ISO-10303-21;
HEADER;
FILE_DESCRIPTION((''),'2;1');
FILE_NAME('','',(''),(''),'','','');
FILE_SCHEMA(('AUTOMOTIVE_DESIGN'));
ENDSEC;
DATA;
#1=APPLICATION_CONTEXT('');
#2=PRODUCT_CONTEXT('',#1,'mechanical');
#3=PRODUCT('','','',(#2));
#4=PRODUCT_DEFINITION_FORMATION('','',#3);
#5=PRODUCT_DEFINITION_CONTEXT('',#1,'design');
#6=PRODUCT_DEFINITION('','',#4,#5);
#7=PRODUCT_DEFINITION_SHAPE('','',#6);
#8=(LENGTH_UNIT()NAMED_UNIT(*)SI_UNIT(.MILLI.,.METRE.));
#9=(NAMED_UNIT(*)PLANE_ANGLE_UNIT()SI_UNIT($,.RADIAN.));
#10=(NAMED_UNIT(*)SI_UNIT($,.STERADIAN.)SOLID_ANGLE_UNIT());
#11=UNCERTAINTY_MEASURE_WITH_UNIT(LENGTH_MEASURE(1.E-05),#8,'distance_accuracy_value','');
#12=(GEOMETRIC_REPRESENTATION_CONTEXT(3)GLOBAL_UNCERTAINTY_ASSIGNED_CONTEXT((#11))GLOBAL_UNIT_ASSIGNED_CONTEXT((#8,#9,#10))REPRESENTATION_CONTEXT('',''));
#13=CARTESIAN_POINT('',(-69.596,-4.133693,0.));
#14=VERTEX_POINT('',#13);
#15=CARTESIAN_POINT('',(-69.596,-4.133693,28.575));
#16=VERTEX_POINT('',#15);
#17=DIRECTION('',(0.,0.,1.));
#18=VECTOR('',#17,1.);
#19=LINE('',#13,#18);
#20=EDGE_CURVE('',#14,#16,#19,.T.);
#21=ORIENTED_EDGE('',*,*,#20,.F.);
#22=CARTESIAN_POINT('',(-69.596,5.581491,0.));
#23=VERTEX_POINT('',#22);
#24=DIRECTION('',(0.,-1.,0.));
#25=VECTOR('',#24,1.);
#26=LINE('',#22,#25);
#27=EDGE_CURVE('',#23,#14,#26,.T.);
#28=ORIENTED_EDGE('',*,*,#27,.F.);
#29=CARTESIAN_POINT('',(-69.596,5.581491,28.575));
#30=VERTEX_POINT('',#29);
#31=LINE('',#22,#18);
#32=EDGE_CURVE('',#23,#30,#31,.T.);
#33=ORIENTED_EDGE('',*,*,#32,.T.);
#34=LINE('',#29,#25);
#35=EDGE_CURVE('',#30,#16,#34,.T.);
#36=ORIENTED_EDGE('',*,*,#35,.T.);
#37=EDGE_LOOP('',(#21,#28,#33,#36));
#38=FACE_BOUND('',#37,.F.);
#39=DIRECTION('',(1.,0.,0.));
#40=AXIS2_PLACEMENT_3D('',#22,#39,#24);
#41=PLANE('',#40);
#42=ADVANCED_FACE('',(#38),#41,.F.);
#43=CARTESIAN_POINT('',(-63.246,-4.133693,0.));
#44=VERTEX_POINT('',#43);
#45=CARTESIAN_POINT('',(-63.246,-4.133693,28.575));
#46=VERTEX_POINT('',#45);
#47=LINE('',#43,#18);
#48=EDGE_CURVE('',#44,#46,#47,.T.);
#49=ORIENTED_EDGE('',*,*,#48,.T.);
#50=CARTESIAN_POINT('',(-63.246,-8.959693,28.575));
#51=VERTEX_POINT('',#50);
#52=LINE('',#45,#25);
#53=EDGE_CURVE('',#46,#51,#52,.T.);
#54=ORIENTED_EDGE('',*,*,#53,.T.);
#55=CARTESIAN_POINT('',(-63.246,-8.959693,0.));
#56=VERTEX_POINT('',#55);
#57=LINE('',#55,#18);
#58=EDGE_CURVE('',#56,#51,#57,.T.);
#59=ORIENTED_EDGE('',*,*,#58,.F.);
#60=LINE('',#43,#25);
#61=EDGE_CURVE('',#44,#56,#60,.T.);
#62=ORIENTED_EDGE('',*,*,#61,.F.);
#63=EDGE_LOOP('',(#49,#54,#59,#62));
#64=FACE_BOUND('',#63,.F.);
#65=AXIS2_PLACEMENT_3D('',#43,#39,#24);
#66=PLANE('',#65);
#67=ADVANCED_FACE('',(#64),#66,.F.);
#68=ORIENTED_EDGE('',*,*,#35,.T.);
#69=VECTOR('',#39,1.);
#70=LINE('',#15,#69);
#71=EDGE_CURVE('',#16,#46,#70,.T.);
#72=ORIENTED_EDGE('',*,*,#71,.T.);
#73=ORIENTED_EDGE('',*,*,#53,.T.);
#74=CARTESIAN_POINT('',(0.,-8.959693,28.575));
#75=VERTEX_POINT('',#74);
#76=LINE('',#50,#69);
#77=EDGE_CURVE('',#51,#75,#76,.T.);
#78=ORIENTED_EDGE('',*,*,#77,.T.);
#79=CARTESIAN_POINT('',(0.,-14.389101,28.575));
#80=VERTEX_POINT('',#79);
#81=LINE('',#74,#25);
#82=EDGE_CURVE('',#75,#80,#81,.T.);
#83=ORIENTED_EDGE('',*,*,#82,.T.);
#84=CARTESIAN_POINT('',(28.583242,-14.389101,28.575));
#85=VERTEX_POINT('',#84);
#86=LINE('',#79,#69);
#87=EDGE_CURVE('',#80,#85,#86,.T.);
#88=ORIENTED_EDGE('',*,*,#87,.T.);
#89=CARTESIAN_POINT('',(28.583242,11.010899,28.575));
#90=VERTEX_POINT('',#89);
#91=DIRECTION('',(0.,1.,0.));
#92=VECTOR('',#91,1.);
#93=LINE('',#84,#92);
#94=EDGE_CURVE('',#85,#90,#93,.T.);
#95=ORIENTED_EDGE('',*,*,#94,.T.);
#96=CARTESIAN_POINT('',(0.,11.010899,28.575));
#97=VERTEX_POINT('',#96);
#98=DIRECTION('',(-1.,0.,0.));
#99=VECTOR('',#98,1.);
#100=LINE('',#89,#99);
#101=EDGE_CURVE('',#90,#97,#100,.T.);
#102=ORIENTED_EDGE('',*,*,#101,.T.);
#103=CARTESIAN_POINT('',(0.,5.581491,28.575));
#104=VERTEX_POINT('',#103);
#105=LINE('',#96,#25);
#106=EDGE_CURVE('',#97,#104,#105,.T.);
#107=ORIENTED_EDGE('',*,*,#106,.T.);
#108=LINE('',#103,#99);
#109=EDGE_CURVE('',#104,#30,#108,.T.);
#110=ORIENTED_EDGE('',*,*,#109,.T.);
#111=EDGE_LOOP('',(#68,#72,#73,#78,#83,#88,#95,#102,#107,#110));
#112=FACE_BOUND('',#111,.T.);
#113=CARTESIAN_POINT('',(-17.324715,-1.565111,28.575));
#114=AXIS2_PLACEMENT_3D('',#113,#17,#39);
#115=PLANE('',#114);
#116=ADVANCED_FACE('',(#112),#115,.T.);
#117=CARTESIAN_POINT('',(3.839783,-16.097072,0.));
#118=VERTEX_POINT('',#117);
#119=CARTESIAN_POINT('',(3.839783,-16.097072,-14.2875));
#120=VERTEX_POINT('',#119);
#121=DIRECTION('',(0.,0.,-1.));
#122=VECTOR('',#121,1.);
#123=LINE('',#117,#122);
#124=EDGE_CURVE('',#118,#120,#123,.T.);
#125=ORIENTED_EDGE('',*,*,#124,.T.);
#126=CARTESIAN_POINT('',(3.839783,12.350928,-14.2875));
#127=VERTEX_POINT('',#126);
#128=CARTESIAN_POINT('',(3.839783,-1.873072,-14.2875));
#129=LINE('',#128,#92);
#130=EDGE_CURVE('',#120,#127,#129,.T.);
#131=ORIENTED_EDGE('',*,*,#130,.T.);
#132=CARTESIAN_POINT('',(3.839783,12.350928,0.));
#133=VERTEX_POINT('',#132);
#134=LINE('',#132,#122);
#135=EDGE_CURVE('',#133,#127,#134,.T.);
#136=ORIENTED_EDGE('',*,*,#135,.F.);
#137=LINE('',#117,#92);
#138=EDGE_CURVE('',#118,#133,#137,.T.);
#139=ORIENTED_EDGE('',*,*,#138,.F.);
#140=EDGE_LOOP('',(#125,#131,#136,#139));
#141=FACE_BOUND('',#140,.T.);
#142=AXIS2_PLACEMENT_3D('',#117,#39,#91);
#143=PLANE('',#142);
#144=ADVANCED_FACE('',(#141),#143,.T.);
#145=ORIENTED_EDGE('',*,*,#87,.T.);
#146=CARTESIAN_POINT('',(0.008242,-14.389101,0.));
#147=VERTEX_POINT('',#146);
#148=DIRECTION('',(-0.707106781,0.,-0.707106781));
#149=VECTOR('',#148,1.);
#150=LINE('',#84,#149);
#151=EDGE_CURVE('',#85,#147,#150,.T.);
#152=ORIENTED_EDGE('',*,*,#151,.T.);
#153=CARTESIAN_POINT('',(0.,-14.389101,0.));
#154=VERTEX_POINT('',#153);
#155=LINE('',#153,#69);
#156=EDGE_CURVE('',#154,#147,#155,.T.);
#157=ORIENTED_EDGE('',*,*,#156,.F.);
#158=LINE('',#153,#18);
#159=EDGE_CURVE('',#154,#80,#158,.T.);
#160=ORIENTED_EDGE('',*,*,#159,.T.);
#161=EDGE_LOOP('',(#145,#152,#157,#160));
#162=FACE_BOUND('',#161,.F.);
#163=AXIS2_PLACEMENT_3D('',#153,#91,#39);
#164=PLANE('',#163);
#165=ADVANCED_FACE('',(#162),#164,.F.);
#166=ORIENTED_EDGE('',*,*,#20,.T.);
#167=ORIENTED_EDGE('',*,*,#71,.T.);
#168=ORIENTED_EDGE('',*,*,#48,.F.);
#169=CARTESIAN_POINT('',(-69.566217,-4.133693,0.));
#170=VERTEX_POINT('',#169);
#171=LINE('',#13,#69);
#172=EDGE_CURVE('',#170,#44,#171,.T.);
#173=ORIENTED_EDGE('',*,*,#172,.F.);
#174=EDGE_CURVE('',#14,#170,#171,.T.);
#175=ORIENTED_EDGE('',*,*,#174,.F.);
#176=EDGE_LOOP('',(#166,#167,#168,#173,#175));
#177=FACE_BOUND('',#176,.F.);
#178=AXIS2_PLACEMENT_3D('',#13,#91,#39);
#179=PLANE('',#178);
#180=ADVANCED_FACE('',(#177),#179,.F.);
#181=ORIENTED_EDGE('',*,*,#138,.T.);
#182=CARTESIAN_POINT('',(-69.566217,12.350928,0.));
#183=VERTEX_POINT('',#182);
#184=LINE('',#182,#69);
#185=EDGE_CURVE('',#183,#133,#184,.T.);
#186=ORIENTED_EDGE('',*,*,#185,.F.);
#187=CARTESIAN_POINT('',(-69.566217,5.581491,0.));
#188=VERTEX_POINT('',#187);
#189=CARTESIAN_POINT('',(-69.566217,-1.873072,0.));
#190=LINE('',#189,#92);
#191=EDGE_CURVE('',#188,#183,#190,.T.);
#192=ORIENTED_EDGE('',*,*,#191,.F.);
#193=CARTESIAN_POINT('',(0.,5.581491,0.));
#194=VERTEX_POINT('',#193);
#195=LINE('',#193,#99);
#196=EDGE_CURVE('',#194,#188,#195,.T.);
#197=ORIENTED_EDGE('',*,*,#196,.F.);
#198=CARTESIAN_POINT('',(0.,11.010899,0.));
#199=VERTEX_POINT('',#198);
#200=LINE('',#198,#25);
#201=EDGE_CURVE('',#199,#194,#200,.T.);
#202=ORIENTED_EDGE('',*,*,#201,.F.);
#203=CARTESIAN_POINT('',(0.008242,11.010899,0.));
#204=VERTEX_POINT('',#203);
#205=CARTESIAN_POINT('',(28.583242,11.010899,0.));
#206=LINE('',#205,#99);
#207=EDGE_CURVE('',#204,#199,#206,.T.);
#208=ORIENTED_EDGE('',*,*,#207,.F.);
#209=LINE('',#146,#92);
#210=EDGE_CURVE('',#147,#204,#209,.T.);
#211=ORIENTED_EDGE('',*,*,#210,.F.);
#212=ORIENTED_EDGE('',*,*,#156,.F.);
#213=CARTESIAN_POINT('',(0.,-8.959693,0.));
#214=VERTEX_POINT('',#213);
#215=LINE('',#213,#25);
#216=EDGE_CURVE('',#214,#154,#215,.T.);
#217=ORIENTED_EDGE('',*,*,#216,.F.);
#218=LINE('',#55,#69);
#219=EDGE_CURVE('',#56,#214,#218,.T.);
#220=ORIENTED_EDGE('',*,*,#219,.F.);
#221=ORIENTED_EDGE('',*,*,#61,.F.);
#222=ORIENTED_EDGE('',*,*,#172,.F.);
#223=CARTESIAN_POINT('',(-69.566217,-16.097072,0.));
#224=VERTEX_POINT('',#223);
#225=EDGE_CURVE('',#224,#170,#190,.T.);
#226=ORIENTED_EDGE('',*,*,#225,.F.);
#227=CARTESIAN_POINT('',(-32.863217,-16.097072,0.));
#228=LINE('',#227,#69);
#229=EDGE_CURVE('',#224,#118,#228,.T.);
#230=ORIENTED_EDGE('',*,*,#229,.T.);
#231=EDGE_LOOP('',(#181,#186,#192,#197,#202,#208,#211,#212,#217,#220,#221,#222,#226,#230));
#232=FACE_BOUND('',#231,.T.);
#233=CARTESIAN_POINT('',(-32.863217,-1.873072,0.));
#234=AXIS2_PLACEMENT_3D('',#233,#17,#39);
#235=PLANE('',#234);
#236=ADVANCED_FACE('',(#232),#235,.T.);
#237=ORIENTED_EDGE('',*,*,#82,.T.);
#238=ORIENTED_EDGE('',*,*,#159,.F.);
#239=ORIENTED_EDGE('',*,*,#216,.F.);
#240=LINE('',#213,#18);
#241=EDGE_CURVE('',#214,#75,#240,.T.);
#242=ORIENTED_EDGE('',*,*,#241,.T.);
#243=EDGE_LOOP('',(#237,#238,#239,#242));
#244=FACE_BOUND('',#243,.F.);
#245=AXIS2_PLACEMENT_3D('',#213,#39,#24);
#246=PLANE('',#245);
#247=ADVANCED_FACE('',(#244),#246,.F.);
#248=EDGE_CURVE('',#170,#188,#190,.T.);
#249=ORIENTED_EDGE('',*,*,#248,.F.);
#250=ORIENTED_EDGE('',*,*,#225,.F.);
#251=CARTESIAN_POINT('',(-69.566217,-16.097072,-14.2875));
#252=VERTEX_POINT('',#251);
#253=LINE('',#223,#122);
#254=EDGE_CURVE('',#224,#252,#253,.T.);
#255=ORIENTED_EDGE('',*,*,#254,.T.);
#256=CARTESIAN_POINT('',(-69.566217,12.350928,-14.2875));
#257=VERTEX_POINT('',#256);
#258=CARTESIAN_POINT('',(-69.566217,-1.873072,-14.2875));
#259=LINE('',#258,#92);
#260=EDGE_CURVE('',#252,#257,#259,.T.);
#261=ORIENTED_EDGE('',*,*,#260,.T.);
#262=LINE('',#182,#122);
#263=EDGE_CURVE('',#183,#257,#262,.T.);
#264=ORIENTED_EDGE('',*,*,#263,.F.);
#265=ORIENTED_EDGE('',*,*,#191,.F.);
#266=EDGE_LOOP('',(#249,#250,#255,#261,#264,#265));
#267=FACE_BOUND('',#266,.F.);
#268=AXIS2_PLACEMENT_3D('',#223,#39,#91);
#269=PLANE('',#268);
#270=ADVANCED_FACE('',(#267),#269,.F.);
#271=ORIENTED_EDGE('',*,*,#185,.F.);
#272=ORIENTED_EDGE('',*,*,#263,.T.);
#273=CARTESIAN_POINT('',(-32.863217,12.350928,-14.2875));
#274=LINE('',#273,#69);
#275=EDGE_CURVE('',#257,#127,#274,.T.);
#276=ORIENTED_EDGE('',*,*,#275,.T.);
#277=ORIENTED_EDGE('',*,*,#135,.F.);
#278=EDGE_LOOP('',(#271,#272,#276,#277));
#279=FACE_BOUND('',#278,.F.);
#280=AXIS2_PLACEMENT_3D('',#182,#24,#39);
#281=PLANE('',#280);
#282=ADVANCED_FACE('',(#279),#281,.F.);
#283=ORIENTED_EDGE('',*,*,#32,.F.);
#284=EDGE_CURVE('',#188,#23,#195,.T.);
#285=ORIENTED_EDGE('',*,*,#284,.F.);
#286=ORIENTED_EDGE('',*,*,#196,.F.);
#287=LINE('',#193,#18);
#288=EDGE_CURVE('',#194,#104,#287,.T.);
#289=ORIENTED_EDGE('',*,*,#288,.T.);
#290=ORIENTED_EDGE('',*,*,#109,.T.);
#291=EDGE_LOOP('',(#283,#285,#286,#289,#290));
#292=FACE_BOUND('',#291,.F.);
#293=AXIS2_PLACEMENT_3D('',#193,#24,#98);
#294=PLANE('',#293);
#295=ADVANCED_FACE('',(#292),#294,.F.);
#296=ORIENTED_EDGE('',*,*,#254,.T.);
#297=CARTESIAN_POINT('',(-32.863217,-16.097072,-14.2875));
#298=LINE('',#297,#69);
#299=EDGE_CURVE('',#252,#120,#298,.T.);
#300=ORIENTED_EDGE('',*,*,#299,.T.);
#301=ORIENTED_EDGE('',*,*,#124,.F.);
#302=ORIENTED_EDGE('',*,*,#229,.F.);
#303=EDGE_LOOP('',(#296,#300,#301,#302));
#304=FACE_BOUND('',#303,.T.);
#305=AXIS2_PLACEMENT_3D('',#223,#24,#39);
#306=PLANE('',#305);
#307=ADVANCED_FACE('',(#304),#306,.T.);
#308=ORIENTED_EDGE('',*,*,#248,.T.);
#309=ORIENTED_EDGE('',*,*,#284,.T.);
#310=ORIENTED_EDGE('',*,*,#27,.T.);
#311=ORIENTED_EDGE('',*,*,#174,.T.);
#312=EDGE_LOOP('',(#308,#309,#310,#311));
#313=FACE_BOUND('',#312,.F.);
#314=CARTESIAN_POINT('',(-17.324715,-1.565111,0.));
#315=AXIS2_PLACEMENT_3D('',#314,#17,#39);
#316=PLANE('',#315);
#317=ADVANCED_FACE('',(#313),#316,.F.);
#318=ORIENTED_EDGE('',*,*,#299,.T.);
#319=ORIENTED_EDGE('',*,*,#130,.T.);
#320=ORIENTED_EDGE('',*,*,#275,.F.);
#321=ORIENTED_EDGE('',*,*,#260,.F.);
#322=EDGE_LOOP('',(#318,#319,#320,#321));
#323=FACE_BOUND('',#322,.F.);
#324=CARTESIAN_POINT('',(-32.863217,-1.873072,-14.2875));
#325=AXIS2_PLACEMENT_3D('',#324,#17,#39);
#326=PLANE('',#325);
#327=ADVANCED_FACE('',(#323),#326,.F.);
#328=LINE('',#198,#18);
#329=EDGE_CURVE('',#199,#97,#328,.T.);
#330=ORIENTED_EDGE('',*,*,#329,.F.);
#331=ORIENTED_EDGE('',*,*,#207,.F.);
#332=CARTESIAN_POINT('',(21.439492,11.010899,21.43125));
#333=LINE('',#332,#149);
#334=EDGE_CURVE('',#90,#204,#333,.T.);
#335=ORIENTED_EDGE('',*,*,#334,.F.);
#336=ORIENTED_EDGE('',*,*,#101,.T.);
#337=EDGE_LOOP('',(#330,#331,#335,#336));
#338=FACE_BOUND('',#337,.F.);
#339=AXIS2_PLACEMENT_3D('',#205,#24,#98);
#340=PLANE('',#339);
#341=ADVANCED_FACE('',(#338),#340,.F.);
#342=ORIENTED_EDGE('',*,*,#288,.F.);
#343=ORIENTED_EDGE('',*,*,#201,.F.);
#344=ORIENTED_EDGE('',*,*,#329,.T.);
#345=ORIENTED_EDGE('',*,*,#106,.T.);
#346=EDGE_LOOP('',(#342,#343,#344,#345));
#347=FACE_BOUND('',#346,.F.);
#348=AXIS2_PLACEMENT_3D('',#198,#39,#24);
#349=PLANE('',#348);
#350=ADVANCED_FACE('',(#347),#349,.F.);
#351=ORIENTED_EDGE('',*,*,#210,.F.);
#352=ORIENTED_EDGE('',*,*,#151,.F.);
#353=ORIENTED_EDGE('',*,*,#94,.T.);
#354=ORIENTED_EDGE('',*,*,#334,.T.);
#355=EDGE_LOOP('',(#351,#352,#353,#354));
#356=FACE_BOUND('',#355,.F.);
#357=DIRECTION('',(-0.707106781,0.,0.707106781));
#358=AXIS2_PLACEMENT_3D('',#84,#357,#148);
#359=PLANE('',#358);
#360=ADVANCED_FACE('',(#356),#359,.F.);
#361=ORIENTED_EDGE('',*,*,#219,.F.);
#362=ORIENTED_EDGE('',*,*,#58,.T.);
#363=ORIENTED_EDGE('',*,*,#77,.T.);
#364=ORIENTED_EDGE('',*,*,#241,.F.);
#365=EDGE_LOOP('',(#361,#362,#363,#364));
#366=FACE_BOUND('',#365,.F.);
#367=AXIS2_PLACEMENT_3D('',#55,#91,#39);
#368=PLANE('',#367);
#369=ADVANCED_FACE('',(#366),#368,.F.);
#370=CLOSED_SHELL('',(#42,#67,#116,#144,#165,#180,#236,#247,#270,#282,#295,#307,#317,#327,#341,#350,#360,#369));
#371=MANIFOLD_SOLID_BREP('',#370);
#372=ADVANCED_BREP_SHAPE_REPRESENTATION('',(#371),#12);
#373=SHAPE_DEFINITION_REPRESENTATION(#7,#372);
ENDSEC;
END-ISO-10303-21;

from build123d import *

# Parameters (mm, degrees)
F1_DEPTH = 28.575
F2_W     = 73.406
F2_H     = 28.448
F3_DEPTH = 14.2875
F5_DEPTH = 26.741029


with BuildPart() as f1:
    # F0 (on Top) → F1 (new body)
    with BuildSketch(Plane.XY):
        Polygon((0, -14.389101), (28.583242, -14.389101), (28.583242, 11.010899), (0, 11.010899), (0, 5.581491), (-69.596, 5.581491), (-69.596, -4.133693), (-63.246, -4.133693), (-63.246, -8.959693), (0, -8.959693), align=None)
    extrude(amount=F1_DEPTH)

    # F2 (on Top) → F3 (join)
    with BuildSketch(Plane.XY):
        with Locations((-32.863217, -1.873072)):
            Rectangle(F2_W, F2_H)
    extrude(amount=-F3_DEPTH)

    # F4 (on face) → F5 (cut, through all)
    with BuildSketch(Plane.XZ.offset(14.389101)):
        Polygon((28.583242, 0), (28.583242, 28.575), (0.008242, 0), (3.839783, 0), align=None)
    extrude(amount=-F5_DEPTH, mode=Mode.SUBTRACT)


solid = f1.part
